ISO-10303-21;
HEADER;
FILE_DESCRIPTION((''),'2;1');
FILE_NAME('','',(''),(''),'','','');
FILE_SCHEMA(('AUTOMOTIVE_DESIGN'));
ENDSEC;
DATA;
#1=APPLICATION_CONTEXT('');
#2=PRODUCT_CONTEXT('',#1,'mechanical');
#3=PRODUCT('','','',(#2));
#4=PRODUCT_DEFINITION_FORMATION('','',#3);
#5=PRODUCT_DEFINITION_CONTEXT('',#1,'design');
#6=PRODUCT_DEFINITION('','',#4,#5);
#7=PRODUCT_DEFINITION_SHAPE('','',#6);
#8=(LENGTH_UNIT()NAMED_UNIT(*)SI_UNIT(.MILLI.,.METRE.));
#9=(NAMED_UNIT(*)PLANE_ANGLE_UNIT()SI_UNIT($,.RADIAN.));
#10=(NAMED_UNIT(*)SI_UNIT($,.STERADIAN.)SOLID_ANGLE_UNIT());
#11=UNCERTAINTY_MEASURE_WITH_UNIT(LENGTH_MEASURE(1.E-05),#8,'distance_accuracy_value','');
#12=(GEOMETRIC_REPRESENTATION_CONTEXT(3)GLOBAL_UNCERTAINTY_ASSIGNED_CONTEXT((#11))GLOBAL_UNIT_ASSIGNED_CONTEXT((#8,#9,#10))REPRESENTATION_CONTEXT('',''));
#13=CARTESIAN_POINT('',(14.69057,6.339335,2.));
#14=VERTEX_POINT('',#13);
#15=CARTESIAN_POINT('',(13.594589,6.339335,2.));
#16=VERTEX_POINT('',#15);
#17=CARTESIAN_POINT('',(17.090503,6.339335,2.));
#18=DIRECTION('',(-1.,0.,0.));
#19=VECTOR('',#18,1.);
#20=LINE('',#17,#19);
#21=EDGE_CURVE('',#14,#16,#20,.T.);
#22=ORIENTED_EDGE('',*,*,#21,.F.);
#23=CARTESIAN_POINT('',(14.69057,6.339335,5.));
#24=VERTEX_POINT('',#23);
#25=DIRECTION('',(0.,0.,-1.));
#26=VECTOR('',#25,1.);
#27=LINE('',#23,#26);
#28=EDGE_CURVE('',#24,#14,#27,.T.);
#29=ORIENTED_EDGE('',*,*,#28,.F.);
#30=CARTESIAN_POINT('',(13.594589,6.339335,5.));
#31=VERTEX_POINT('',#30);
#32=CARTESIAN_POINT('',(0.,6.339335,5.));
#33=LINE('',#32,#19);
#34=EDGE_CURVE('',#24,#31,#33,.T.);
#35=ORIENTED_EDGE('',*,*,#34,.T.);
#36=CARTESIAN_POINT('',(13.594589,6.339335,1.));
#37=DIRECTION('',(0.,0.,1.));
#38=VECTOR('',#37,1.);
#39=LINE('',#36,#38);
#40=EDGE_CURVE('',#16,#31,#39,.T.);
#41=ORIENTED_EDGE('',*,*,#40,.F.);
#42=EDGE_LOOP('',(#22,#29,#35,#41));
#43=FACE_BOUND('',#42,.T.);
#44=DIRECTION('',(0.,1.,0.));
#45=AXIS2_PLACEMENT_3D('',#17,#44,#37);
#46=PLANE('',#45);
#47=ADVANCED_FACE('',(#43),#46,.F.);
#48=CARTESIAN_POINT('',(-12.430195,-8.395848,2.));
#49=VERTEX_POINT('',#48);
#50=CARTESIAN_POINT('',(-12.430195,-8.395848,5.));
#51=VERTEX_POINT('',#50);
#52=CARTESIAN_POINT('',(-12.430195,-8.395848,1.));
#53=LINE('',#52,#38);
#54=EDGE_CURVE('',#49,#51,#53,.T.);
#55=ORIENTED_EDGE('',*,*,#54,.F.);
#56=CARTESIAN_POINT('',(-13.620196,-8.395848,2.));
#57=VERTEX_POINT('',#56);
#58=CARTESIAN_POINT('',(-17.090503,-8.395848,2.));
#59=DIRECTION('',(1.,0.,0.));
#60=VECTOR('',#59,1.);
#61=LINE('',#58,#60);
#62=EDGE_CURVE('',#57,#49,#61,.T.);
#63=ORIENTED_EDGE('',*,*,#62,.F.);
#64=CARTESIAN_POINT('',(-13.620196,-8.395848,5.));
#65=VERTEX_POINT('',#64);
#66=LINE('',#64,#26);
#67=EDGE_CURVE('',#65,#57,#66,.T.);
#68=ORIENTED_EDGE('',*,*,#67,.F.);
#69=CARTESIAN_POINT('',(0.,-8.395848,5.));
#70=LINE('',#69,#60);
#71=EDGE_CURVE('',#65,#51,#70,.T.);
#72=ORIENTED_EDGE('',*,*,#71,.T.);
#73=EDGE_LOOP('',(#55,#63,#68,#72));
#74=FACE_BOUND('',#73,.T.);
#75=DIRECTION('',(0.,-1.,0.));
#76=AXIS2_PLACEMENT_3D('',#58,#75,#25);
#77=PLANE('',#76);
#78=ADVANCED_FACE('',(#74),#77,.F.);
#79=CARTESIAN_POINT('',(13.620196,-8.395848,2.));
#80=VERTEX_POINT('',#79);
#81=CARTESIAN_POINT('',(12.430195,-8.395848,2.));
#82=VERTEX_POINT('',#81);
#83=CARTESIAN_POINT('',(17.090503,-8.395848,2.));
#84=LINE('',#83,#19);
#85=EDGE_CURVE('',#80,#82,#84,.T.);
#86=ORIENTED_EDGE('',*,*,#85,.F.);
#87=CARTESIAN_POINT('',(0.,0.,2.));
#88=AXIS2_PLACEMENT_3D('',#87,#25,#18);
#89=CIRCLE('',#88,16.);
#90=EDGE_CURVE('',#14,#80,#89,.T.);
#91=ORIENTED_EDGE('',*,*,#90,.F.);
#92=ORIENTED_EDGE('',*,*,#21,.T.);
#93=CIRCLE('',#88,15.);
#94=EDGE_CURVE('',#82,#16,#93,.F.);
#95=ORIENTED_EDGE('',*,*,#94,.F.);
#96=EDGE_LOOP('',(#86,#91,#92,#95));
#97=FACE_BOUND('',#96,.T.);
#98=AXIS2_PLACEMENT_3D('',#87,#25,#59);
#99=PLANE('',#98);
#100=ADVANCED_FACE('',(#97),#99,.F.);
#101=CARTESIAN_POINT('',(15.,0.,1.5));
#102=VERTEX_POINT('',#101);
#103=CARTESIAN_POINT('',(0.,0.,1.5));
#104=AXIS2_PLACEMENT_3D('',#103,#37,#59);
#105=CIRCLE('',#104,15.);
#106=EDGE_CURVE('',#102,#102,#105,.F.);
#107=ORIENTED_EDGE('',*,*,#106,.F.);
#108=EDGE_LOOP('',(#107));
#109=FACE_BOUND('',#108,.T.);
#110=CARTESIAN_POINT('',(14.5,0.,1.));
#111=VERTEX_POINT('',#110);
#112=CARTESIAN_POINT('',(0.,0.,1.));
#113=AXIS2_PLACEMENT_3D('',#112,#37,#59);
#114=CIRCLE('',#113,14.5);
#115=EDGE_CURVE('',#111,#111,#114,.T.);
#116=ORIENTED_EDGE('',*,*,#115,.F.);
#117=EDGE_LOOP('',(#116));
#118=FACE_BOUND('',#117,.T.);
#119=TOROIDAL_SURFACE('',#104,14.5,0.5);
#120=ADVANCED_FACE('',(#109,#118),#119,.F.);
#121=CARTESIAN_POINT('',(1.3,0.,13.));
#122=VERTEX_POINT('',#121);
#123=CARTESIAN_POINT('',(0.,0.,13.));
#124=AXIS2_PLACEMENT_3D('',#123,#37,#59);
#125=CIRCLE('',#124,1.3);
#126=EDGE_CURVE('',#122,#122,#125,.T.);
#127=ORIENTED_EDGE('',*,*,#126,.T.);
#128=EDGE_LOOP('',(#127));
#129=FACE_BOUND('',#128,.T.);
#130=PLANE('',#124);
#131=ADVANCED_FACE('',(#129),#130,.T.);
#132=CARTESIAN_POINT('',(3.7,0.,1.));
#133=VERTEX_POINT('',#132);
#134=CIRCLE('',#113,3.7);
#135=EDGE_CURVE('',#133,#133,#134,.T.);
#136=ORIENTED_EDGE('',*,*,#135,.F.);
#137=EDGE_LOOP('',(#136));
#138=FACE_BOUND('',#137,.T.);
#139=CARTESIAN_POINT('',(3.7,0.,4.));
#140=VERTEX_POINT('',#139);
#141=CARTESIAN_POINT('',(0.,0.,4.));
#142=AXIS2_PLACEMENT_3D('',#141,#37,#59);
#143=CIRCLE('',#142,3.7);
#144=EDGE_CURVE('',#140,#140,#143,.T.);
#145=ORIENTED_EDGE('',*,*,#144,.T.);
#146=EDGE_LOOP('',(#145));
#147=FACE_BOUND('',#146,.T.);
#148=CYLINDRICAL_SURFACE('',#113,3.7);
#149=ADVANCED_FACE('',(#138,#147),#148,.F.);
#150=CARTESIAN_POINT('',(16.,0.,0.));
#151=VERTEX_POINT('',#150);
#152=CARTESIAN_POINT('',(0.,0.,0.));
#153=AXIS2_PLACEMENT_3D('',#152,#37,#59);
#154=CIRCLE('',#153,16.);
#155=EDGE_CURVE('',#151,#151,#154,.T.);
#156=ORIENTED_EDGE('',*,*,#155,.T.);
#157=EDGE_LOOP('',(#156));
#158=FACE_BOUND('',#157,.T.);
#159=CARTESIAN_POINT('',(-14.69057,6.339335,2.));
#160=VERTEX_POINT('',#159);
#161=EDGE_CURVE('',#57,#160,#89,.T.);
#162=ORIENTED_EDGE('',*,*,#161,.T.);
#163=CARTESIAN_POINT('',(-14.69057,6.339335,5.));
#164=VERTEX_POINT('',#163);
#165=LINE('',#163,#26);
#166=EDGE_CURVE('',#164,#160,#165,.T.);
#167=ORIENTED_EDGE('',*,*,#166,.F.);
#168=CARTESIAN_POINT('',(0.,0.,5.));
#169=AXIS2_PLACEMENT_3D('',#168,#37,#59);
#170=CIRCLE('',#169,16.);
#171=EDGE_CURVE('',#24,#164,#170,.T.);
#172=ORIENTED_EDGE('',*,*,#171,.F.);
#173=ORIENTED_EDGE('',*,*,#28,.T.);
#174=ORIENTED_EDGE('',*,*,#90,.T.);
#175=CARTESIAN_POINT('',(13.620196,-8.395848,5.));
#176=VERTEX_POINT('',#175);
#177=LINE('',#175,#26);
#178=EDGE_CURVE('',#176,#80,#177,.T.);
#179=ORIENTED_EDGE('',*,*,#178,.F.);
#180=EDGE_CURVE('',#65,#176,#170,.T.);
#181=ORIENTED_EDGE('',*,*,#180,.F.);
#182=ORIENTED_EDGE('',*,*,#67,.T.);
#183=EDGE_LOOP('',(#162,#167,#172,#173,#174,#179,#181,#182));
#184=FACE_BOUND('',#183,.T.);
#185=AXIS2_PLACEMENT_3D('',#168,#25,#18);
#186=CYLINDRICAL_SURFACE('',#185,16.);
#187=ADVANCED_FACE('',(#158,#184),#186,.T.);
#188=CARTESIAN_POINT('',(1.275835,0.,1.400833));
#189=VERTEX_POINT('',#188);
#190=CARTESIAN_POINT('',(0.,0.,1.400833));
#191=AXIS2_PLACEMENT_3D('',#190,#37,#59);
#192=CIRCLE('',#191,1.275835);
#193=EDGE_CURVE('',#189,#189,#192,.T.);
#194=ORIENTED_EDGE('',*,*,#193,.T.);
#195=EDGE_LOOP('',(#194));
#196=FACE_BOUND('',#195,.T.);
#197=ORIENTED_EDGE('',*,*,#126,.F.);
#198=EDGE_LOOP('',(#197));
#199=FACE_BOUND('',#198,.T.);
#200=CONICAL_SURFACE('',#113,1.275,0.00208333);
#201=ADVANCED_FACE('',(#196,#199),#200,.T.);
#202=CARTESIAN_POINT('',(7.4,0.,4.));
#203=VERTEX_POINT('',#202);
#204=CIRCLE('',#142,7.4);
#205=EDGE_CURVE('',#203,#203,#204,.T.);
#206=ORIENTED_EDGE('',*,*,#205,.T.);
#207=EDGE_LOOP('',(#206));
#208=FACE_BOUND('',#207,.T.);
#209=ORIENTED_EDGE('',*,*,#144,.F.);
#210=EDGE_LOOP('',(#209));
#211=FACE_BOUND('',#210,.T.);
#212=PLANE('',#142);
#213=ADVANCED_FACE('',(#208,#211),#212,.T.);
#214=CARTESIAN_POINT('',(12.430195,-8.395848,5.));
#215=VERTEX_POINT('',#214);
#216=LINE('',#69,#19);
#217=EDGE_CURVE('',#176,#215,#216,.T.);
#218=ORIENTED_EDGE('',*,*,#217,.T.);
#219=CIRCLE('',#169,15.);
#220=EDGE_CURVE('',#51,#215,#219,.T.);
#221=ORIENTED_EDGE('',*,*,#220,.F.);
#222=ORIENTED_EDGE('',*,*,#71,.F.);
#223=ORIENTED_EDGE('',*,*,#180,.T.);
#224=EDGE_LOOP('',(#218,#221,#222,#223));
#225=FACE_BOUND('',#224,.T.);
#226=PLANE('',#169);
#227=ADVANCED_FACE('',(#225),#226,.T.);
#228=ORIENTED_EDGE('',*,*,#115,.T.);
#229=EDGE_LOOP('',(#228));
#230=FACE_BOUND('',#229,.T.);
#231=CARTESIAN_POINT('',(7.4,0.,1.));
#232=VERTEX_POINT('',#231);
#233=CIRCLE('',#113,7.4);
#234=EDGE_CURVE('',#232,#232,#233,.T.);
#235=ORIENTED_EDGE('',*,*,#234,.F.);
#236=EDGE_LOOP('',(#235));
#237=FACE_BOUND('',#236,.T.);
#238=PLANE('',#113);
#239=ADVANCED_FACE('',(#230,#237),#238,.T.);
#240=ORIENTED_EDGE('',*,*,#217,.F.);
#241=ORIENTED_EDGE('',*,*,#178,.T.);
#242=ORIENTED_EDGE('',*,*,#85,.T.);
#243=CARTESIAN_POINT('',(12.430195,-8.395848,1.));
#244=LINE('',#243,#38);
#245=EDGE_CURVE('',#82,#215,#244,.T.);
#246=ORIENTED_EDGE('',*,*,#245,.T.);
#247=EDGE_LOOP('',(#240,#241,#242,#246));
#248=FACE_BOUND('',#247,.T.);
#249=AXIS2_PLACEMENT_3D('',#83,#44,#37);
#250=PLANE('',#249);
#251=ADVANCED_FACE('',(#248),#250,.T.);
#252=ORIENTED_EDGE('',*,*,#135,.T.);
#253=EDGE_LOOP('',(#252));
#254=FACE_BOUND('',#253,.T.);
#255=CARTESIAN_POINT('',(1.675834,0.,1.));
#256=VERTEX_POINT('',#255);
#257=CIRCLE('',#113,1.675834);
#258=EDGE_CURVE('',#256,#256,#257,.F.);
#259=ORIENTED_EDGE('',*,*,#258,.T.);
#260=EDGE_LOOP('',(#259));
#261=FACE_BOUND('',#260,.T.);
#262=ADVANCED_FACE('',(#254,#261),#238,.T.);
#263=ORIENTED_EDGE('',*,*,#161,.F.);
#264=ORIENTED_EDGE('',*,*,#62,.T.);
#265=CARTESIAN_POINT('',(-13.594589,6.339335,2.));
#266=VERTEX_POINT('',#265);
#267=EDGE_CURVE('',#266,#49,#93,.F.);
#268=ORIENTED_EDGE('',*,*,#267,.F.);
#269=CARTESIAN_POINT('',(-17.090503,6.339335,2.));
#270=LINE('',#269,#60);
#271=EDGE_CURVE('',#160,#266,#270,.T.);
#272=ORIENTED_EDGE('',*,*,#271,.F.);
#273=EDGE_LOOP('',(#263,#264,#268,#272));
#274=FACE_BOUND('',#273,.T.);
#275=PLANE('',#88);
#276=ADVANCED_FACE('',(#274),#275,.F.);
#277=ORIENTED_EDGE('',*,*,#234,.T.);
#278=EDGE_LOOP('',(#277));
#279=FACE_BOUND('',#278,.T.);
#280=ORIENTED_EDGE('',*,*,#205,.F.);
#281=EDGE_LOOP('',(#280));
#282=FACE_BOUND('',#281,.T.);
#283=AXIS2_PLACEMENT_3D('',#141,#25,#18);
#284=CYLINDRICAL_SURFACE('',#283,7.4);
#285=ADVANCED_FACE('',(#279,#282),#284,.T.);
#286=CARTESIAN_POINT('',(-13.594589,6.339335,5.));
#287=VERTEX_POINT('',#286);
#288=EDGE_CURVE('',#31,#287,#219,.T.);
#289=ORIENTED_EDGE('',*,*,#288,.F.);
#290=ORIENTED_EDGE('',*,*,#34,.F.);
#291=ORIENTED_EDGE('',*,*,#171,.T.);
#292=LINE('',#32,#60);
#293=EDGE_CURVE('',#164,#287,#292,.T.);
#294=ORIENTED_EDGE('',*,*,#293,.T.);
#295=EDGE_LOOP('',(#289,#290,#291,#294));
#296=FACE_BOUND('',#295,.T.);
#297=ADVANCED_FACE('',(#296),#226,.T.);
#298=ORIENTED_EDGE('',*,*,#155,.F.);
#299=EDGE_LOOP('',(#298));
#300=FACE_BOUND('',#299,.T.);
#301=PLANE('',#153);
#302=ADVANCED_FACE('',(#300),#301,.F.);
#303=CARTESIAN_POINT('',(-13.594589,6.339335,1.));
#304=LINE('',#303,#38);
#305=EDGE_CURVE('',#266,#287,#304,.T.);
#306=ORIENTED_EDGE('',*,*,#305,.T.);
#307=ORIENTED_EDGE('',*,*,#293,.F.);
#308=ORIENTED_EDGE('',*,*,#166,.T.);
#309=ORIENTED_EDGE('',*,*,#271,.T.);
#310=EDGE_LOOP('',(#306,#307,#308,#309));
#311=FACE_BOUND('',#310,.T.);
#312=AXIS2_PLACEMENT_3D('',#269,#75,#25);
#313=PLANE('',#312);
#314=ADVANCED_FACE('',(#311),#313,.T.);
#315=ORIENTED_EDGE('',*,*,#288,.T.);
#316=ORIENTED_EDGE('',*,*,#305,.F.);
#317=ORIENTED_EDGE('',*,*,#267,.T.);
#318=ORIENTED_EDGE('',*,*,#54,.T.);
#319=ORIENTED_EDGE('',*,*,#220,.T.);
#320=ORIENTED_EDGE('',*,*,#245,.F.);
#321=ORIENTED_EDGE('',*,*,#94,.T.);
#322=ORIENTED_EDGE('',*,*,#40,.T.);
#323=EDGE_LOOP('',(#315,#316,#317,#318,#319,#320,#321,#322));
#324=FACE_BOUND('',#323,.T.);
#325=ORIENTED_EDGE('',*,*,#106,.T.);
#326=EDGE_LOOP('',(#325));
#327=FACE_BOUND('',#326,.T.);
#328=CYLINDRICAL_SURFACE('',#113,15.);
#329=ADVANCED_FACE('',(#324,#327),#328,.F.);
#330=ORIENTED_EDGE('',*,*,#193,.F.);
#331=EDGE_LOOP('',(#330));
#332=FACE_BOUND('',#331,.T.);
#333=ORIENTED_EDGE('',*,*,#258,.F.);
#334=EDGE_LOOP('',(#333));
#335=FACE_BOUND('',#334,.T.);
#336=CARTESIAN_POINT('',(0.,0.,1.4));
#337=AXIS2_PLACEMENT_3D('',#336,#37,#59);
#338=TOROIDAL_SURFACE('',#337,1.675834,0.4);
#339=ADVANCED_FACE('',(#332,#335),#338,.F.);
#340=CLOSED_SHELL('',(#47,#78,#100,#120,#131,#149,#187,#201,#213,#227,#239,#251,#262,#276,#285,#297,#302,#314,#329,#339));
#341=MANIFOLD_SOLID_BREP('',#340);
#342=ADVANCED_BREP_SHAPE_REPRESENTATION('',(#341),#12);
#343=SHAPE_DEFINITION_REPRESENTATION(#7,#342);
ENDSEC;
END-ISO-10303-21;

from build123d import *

# Parameters (mm, degrees)
SKETCH1_R           = 16
BOSS_EXTRUDE1_DEPTH = 5
SKETCH3_R           = 15
CUT_EXTRUDE1_DEPTH  = 4
FILLET1_R           = 0.5
SKETCH7_W           = 5.268501054
SKETCH7_H           = 14.735182388
CUT_EXTRUDE2_DEPTH  = 11
SKETCH8_R           = 7.4
BOSS_EXTRUDE2_DEPTH = 3
SKETCH9_R           = 3.7
CUT_EXTRUDE3_DEPTH  = 3
SKETCH5_R           = 1.275
SKETCH6_R           = 1.3
FILLET3_R           = 0.4


with BuildPart() as part:
    # Sketch1 → Boss-Extrude1 (new body)
    with BuildSketch(Plane.XY):
        Circle(SKETCH1_R)
    extrude(amount=BOSS_EXTRUDE1_DEPTH)

    # Sketch3 → Cut-Extrude1 (cut)
    with BuildSketch(Plane.XY.offset(5)):
        Circle(SKETCH3_R)
    extrude(amount=-CUT_EXTRUDE1_DEPTH, mode=Mode.SUBTRACT)

    # Fillet1
    fillet1_edges = [part.edges().sort_by_distance(p)[0] for p in [
        (-15, 0, 1),
    ]]
    fillet(fillet1_edges, radius=FILLET1_R)

    # Sketch7 → Cut-Extrude2 (cut)
    with BuildSketch(Plane.XY.offset(13)):
        with Locations((-14.456252894, -1.028256592)):
            Rectangle(SKETCH7_W, SKETCH7_H)
    cut_extrude2 = extrude(amount=-CUT_EXTRUDE2_DEPTH, mode=Mode.SUBTRACT)

    # Mirror1: Cut-Extrude2 across plane
    add(cut_extrude2.mirror(Plane(origin=(0, 0, 0), x_dir=(0, 0, 1), z_dir=(1, 0, 0))), mode=Mode.SUBTRACT)

    # Sketch8 → Boss-Extrude2 (add)
    with BuildSketch(Plane.XY.offset(1)):
        Circle(SKETCH8_R)
    extrude(amount=BOSS_EXTRUDE2_DEPTH)

    # Sketch9 → Cut-Extrude3 (cut)
    with BuildSketch(Plane.XY.offset(4)):
        Circle(SKETCH9_R)
    extrude(amount=-CUT_EXTRUDE3_DEPTH, mode=Mode.SUBTRACT)

    # Sketch5 → Loft1 section 0
    with BuildSketch(Plane.XY.offset(1)):
        Circle(SKETCH5_R)
    # Sketch6 → Loft1 section 1
    with BuildSketch(Plane.XY.offset(13)):
        Circle(SKETCH6_R)
    loft()

    # Fillet3
    fillet3_edges = [part.edges().sort_by_distance(p)[0] for p in [
        (-1.275, 0, 1),
    ]]
    fillet(fillet3_edges, radius=FILLET3_R)


solid = part.part
